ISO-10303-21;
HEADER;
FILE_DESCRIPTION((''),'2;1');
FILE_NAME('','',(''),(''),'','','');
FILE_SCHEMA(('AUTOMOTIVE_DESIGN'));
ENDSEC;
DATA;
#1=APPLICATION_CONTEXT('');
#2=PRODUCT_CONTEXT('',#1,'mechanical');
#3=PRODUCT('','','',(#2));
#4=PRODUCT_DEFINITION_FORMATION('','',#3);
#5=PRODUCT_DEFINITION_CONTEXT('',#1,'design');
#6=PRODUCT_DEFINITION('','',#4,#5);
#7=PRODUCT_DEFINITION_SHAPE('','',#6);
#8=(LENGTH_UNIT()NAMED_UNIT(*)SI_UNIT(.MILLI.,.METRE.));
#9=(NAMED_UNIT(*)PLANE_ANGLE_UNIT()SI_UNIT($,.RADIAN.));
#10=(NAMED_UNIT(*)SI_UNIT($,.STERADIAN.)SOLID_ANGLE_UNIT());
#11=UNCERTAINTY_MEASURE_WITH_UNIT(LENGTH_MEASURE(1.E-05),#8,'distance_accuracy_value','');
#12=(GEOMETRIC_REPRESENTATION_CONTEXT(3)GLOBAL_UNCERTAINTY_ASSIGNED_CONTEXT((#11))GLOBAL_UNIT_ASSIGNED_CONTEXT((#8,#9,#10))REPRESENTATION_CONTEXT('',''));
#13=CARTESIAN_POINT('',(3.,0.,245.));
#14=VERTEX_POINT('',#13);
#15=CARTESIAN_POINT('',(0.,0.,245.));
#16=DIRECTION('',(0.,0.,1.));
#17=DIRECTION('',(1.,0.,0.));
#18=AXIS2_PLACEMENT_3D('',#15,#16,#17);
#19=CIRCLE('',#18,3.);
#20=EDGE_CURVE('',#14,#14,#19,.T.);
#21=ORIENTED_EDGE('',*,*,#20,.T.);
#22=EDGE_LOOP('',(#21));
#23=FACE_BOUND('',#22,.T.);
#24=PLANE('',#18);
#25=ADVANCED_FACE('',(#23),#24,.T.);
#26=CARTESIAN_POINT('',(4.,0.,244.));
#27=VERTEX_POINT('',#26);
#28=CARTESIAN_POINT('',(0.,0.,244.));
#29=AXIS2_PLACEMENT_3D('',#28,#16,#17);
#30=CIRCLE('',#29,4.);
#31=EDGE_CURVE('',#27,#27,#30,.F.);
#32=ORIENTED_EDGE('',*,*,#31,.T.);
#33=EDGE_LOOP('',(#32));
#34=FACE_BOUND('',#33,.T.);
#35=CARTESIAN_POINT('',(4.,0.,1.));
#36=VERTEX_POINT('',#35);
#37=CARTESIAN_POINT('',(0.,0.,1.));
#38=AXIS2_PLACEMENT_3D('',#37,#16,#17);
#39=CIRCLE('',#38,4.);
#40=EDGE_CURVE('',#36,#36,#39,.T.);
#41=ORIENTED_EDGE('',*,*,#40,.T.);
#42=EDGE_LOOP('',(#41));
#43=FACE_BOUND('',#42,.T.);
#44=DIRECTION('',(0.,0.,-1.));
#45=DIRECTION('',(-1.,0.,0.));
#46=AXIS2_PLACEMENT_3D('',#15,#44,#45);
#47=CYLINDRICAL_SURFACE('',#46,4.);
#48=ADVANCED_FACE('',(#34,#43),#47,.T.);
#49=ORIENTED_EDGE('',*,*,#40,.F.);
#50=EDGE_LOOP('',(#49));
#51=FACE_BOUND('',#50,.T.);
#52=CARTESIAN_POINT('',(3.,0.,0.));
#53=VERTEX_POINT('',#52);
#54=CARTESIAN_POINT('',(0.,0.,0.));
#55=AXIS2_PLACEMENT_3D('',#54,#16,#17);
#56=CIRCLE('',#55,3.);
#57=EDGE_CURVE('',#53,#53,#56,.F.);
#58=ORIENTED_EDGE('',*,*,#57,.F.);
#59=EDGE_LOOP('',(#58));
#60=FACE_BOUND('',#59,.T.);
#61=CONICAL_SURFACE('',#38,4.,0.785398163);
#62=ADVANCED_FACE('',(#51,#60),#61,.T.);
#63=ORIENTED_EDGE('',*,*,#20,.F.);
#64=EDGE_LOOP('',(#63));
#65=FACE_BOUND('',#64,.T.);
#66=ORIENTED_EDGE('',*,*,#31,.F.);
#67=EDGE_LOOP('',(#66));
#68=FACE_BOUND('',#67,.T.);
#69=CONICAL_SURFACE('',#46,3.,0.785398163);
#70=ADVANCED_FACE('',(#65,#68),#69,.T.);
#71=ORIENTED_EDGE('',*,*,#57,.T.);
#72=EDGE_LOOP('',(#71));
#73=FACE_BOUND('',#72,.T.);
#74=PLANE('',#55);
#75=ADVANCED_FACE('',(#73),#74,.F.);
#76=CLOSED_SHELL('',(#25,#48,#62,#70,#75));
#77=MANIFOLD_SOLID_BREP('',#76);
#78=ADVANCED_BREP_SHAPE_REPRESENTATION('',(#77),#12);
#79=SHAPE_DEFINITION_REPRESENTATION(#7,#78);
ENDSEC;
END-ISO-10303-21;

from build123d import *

# Parameters (mm, degrees)
SKICA1_R                = 4
P_IDAT_VYSUNUT_M1_DEPTH = 245
ZKOSEN_1_SIZE           = 1


with BuildPart() as part:
    # Skica1 → Přidat vysunutím1 (new body)
    with BuildSketch(Plane.XY):
        Circle(SKICA1_R)
    extrude(amount=P_IDAT_VYSUNUT_M1_DEPTH)

    # Zkosení1
    zkosen_1_edges = [part.edges().sort_by_distance(p)[0] for p in [
        (-4, 0, 0),
        (-4, 0, 245),
    ]]
    chamfer(zkosen_1_edges, length=ZKOSEN_1_SIZE)


solid = part.part
